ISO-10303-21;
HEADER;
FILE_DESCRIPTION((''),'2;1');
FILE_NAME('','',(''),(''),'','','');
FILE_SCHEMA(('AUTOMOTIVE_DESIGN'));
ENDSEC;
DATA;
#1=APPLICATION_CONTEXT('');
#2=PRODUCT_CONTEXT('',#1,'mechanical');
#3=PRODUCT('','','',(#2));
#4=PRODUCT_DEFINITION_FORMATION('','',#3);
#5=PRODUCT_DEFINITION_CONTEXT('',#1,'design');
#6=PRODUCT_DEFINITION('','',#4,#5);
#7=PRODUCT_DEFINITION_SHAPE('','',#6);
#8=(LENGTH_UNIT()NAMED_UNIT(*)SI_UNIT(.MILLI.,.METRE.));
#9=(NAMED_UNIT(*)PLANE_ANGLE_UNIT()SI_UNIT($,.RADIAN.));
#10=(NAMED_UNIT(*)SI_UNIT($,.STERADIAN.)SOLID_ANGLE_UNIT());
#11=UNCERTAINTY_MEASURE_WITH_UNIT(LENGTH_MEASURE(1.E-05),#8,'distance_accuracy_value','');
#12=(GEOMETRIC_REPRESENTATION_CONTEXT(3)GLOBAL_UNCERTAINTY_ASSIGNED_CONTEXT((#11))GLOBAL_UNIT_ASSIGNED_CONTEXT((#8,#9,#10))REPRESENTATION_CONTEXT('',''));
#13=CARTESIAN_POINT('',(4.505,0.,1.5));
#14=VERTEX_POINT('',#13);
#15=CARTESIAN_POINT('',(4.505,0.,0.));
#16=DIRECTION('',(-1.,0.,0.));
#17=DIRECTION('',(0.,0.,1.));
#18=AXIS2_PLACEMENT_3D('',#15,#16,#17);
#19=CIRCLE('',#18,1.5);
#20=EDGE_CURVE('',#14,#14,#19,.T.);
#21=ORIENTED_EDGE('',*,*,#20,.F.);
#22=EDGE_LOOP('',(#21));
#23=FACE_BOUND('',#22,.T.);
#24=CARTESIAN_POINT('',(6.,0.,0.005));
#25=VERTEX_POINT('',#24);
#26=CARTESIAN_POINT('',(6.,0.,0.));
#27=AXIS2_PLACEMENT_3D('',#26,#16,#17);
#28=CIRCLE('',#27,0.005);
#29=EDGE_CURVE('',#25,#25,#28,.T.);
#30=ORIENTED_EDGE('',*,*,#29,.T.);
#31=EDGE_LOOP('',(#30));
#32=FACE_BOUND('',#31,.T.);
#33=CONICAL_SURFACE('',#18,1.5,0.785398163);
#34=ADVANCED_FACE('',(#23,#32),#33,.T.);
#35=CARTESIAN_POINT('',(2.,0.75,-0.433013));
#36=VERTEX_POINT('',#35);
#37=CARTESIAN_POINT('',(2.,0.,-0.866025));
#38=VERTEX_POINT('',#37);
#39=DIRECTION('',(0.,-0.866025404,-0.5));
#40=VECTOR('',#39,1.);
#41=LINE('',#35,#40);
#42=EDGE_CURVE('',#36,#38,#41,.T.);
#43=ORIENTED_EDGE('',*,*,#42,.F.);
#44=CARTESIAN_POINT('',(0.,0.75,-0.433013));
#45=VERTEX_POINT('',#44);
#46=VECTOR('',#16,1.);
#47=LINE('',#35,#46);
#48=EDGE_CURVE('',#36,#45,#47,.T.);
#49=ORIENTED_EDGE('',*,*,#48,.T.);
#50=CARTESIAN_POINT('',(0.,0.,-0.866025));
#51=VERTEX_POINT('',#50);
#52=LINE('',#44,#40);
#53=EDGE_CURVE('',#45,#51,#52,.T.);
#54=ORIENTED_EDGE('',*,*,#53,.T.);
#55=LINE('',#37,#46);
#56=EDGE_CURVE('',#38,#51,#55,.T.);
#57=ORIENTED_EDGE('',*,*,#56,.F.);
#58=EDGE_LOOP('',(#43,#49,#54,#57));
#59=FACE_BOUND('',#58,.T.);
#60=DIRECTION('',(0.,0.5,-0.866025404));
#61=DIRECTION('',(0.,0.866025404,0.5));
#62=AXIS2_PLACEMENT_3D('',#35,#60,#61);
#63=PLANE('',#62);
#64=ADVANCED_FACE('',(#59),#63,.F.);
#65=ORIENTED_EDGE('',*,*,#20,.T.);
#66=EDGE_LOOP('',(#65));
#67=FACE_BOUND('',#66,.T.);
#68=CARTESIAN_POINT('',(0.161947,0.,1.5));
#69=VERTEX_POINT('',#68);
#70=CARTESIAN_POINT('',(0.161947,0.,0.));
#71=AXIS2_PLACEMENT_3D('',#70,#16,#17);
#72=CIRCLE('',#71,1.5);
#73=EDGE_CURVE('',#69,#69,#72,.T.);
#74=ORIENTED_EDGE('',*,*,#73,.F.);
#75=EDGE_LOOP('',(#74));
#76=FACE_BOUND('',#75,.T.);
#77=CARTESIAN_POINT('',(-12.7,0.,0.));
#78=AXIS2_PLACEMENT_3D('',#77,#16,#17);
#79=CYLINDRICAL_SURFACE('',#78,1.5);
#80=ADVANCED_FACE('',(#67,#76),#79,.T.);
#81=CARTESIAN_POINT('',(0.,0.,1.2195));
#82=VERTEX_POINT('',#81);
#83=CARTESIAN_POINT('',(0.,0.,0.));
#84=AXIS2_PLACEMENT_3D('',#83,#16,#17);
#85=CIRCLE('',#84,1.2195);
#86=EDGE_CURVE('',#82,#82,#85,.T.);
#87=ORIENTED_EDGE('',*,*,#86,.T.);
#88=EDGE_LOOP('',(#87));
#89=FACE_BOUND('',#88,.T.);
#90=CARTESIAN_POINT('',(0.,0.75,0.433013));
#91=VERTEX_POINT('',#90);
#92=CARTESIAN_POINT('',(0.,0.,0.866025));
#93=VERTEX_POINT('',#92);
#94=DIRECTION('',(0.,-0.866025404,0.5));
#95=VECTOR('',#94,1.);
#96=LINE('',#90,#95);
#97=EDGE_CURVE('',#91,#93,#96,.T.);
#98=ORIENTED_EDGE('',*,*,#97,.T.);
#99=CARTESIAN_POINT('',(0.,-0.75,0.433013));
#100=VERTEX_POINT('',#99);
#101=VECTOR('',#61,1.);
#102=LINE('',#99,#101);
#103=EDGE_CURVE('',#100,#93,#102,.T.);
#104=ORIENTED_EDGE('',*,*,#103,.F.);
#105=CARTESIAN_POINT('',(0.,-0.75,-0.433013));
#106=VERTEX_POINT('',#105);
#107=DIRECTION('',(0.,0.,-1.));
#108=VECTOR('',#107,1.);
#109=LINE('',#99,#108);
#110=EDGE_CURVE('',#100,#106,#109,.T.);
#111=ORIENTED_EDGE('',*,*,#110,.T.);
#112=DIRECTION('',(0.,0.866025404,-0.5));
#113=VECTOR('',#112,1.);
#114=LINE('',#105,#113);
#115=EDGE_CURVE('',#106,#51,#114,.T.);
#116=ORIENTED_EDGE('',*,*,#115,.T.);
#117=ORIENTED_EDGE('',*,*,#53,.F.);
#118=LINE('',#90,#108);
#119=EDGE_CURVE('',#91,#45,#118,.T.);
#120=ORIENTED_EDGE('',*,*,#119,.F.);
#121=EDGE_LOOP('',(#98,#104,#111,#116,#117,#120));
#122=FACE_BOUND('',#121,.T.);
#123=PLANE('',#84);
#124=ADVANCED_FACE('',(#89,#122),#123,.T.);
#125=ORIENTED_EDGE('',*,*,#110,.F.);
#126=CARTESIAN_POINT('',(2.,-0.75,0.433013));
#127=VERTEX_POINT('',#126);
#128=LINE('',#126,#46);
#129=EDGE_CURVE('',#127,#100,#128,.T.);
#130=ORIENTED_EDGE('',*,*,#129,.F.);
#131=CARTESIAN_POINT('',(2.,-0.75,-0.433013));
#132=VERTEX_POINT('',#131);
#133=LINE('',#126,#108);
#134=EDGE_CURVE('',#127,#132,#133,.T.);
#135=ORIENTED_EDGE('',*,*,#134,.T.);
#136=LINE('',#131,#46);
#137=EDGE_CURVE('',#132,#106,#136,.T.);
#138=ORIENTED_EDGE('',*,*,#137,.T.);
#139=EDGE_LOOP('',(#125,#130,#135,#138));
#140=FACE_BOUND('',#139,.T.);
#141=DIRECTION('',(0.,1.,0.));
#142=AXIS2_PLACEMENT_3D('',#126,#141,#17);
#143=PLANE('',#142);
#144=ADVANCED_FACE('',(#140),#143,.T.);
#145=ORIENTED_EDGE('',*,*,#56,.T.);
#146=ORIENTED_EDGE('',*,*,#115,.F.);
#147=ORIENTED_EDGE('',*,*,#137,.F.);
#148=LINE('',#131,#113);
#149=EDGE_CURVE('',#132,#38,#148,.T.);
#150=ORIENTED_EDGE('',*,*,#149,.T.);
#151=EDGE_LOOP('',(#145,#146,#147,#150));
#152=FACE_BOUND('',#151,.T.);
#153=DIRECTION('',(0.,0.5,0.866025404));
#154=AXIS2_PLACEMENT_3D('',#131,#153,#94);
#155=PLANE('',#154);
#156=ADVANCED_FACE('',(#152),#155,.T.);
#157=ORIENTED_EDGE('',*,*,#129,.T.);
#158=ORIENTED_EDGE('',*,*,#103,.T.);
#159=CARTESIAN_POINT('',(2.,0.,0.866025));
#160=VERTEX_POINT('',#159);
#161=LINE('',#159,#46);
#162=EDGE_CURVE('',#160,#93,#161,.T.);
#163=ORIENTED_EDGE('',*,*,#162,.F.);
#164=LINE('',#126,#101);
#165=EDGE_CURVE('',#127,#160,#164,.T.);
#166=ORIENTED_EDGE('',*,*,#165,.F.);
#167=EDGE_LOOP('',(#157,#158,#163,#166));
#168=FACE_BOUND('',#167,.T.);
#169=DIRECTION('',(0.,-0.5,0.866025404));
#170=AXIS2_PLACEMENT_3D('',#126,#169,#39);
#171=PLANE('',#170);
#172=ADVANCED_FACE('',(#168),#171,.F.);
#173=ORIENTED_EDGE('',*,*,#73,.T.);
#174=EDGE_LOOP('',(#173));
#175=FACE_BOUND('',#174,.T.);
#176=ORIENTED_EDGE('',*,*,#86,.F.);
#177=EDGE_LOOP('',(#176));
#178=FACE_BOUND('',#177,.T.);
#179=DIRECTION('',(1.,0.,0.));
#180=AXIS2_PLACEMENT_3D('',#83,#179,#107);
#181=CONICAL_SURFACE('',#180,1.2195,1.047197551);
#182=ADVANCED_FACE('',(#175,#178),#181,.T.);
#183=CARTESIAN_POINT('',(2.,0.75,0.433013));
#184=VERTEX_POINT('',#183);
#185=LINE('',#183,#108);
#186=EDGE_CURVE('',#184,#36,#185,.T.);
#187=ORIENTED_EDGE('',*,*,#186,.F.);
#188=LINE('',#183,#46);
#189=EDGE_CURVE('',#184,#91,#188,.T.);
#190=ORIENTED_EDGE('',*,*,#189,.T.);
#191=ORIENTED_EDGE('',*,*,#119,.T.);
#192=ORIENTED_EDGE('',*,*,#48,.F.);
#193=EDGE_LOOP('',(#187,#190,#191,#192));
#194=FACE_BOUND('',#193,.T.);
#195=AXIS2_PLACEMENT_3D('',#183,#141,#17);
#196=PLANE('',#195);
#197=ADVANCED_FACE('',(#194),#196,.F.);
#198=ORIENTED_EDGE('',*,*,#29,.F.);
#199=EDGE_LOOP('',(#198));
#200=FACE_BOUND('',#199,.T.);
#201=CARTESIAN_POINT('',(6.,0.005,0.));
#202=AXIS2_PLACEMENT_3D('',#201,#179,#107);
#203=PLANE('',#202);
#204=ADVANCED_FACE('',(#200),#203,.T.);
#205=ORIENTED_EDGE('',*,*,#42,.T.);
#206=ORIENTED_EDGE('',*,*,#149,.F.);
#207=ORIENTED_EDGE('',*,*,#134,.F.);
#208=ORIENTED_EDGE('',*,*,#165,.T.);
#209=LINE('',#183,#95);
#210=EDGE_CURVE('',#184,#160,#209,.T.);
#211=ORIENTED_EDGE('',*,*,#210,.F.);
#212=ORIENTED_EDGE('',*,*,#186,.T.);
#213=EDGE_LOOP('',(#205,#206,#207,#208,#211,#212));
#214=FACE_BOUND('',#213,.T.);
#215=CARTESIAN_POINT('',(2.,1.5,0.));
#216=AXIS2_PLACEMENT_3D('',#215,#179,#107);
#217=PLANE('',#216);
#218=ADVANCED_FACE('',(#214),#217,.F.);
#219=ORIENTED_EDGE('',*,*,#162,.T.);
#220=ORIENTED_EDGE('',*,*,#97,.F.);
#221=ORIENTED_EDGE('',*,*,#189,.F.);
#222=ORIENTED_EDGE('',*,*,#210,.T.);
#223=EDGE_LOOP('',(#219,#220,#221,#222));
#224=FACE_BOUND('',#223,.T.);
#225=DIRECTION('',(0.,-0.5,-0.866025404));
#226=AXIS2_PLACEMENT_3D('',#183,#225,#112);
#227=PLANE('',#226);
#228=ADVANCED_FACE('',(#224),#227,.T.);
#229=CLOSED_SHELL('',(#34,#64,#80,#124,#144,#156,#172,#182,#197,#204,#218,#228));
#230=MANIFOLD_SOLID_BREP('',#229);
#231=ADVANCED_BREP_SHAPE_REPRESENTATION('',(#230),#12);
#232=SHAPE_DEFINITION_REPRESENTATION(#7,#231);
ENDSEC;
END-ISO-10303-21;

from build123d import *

# Parameters (mm, degrees)
HEX_2_DEPTH = 2


with BuildPart() as part:
    # BodySke → BaseBody (revolve)
    with BuildSketch(Plane.XY):
        Polygon((0, 0), (0, 1.2195), (0.161946751, 1.5), (4.505, 1.5), (6, 0.005), (6, 0), align=None)
    revolve(axis=Axis((-12.7, 0, 0), (1, 0, 0)))

    # Sketch2 → Hex 2 (cut)
    with BuildSketch(Plane.ZY):
        Polygon((0.433012702, 0.75), (-0.433012702, 0.75), (-0.866025404, 0), (-0.433012702, -0.75), (0.433012702, -0.75), (0.866025404, 0), align=None)
    extrude(amount=-HEX_2_DEPTH, mode=Mode.SUBTRACT)


solid = part.part
